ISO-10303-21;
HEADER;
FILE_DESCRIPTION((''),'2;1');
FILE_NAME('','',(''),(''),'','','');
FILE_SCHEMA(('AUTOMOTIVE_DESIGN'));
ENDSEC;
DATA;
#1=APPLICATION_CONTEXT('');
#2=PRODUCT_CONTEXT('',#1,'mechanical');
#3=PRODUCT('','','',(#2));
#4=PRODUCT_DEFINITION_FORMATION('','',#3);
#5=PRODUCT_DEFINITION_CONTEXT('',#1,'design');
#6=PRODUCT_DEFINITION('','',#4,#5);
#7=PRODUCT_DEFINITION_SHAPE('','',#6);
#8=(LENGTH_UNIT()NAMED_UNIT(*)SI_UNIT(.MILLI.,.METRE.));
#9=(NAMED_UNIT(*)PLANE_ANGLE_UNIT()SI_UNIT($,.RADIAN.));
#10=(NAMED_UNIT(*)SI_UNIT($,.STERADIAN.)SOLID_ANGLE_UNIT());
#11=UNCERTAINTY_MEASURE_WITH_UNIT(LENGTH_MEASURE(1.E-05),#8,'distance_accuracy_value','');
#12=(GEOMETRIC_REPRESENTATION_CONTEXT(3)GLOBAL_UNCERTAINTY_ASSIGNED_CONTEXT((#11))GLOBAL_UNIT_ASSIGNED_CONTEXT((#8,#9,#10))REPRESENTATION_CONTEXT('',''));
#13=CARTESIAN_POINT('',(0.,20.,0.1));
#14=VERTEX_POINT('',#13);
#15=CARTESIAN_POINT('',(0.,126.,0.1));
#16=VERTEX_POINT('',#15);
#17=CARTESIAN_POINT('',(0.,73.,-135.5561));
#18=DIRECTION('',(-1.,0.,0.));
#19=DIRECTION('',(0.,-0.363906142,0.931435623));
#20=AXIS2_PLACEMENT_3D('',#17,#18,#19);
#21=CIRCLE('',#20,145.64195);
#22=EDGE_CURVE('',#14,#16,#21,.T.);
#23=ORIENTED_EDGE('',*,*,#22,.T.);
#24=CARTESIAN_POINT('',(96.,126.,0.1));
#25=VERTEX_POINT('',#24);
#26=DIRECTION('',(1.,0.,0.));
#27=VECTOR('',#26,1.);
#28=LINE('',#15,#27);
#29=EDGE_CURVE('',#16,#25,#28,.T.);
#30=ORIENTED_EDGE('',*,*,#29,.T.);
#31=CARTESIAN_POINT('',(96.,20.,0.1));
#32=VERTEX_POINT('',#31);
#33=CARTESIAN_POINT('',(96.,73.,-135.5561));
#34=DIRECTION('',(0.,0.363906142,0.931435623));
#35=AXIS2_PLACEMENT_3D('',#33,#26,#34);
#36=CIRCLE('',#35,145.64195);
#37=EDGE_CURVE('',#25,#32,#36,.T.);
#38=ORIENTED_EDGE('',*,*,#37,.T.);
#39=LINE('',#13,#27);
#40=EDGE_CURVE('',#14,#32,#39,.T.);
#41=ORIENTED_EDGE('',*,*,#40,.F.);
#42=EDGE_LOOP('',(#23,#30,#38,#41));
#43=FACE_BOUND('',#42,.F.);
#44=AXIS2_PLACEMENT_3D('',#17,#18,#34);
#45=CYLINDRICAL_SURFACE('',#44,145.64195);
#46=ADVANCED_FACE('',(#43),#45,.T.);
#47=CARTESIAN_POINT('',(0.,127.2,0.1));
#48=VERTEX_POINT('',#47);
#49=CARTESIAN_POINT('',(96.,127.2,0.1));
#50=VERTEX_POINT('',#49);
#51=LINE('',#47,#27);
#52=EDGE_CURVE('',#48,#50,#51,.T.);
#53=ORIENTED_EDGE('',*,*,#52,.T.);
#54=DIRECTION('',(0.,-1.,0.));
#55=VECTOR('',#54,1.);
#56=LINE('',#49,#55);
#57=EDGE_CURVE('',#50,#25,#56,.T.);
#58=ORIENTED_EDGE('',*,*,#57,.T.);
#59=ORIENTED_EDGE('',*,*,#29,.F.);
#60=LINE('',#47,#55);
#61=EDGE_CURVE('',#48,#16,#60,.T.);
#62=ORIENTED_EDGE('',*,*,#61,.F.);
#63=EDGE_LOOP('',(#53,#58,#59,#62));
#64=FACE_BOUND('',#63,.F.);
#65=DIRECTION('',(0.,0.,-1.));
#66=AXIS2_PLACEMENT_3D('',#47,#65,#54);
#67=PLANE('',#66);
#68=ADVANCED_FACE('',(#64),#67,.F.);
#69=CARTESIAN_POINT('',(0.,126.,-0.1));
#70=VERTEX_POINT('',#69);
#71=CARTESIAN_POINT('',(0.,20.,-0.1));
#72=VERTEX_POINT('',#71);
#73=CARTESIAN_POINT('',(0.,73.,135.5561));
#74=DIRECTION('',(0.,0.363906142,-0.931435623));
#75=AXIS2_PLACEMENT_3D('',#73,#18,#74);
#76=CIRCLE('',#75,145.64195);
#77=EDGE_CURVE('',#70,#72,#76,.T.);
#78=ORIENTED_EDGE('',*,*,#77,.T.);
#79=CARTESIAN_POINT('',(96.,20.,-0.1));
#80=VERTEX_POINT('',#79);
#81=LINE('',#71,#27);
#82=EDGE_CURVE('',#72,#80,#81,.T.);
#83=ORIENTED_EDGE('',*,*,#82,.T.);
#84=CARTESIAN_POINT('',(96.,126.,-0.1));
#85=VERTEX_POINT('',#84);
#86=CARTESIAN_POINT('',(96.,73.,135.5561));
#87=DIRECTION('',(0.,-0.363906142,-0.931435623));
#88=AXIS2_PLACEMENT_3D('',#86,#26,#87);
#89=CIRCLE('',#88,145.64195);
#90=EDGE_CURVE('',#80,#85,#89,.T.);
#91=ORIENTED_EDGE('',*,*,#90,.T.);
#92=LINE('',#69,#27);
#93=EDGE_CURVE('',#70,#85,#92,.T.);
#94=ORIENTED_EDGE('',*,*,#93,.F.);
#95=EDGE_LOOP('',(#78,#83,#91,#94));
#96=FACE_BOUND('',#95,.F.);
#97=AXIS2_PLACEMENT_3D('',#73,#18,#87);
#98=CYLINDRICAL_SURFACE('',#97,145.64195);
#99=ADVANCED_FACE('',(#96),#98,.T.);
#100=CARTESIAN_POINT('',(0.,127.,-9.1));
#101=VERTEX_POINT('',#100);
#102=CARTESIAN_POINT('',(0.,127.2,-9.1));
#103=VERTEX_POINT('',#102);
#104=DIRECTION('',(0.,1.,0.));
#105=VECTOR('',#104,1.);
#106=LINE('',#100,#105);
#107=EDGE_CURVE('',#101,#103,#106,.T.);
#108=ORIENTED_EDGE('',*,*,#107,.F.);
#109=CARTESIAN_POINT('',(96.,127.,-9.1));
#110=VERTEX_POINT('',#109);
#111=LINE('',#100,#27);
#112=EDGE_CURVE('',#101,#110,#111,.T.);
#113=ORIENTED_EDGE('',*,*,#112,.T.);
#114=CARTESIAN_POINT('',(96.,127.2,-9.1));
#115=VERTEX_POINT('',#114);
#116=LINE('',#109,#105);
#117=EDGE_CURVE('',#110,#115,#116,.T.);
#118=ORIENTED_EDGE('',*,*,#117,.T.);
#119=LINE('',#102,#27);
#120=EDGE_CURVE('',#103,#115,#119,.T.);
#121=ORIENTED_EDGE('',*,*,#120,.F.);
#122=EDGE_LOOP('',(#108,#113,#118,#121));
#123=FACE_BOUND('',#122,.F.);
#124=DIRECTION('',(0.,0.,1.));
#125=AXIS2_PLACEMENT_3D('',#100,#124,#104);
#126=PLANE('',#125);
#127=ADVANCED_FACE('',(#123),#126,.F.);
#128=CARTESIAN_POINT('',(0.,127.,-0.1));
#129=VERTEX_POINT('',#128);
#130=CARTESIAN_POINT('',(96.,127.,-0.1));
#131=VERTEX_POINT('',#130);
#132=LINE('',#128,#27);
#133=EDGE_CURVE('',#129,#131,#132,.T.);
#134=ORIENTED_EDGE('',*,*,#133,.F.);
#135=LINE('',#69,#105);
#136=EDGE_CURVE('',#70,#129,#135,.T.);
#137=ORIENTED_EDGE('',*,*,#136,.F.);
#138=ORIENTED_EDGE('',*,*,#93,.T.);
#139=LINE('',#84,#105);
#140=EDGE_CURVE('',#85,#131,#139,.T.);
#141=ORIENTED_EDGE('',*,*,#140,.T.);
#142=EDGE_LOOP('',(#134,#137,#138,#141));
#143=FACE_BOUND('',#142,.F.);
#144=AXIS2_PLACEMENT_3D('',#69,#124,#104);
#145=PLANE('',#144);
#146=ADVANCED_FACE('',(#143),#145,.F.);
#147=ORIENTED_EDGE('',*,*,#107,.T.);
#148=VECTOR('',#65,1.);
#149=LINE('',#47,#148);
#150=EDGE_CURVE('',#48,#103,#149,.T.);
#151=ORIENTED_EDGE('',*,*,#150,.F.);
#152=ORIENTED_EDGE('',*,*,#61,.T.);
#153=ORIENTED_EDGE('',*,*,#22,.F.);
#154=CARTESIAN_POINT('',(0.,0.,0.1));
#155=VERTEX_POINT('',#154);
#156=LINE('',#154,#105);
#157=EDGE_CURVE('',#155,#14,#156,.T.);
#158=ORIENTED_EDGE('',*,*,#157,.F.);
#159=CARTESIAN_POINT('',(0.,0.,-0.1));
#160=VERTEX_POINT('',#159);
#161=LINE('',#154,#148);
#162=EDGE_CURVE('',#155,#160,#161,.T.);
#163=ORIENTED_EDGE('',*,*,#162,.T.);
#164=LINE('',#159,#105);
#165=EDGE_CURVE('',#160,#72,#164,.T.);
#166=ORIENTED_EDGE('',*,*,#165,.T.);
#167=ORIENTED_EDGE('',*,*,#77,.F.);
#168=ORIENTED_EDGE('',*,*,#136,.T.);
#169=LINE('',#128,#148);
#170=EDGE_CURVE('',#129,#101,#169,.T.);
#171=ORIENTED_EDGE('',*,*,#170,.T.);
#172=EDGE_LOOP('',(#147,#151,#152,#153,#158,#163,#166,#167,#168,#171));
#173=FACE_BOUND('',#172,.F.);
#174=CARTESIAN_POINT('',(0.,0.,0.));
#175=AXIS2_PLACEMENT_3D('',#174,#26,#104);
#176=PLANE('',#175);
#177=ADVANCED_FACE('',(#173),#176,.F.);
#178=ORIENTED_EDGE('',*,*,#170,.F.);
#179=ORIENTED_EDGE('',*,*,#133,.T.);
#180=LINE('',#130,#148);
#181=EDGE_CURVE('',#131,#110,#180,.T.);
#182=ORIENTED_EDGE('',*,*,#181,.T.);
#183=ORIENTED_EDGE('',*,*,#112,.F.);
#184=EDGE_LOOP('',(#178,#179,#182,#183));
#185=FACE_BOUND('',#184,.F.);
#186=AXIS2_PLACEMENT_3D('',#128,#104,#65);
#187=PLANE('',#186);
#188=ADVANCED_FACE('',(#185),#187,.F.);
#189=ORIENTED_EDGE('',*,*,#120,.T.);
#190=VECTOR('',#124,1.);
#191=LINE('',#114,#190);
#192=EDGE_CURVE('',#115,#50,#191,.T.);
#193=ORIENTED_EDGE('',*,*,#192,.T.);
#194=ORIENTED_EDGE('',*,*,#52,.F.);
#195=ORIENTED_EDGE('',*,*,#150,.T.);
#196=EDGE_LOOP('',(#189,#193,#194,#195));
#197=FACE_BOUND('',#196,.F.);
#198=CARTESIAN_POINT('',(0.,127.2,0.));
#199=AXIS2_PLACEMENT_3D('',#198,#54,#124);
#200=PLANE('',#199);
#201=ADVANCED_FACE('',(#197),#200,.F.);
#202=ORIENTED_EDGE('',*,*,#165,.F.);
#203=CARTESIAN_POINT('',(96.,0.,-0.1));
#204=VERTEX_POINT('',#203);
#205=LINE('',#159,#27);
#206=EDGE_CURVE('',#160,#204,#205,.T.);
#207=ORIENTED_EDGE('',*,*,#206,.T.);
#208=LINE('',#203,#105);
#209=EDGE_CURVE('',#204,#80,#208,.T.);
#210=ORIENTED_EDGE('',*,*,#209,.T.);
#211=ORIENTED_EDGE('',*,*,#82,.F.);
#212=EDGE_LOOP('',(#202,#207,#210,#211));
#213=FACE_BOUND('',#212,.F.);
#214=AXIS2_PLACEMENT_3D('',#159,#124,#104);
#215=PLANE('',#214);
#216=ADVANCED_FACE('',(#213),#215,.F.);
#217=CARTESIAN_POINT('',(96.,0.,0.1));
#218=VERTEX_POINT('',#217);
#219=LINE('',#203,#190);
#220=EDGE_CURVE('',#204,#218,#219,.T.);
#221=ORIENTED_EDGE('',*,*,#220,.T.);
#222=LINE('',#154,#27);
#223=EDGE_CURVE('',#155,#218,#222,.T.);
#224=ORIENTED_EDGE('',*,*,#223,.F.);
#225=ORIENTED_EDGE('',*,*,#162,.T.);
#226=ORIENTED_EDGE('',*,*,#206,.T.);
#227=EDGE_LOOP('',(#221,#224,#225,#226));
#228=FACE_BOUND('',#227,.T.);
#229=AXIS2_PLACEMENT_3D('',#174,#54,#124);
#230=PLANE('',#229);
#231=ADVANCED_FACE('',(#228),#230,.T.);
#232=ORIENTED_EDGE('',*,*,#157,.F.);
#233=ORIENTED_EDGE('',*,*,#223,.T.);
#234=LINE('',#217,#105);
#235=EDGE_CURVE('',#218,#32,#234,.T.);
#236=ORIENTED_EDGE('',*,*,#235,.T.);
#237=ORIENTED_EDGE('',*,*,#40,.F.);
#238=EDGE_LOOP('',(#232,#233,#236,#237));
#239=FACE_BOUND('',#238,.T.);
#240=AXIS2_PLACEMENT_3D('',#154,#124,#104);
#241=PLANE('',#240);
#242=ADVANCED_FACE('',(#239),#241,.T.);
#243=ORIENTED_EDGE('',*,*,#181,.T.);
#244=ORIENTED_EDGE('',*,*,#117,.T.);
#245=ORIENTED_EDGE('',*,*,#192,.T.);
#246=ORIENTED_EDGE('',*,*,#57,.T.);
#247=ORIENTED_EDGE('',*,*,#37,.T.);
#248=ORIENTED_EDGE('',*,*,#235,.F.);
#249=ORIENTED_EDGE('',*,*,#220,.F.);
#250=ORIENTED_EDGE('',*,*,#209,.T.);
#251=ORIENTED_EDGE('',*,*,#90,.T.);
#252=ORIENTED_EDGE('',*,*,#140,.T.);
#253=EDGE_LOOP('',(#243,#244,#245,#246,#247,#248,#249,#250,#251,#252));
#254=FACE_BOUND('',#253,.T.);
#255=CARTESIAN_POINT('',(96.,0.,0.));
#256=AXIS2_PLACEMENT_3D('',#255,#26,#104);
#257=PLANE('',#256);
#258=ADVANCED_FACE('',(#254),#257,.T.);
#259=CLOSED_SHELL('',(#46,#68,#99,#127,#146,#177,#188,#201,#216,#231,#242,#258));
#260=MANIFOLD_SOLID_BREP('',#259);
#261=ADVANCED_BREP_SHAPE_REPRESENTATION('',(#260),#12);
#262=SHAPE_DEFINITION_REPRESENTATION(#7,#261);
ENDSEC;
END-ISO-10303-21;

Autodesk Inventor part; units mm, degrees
ref_plane "YZ Plane" through (0, 0, 0) normal (1, 0, 0) x (0, 1, 0)
ref_plane "XZ Plane" through (0, 0, 0) normal (0, 1, 0) x (-1, 0, 0)
ref_plane "XY Plane" through (0, 0, 0) normal (0, 0, 1) x (1, 0, 0)
sketch "Skizze1" plane through (0, 0, 0) normal (1, 0, 0) x (0, 1, 0)
  line L0 (0, 0) -> (127.2, 0)
  line L1 (127.2, 0) -> (126, 0)
  line L2 (0, 0) -> (10, 0)
  line L3 (10, 0) -> (68, 0)
  line L4 (68, 0) -> (68, -10)
  line L5 (68, -10) -> (68, 10)
  line L6 (0, 0) -> (0, -0.1)
  line L7 (0, -0.1) -> (20, -0.1)
  line L8 (0, 0) -> (0, 0.1)
  line L9 (0, 0.1) -> (20, 0.1)
  line L10 (127.2, 0.1) -> (126, 0.1)
  line L11 (126, -0.1) -> (127, -0.1)
  line L12 (127, -0.1) -> (127, -9.1)
  line L13 (127, -9.1) -> (127.2, -9.1)
  line L14 (127.2, -9.1) -> (127.2, 0.1)
  arc A0 (20, -0.1) -> (126, -0.1) centre (73, 135.5561) ccw
  arc A1 (126, 0.1) -> (20, 0.1) centre (73, -135.5561) ccw
  dimension "d2" = 10
  dimension "d3" = 10
  dimension "d4" = 20
  dimension "d7" = 0.1
  dimension "d8" = 20
  dimension "d9" = 0.1
  dimension "d10" = 20
  dimension "d14" = 1
  dimension "d15" = 9
  dimension "d16" = 0.2
  dimension "d17" = 0.1
  dimension "d18" = 0.1
extrude "Extrusion1" add sketch "Skizze1" along normal blind 96
properties part number "Futrterbeutel"
